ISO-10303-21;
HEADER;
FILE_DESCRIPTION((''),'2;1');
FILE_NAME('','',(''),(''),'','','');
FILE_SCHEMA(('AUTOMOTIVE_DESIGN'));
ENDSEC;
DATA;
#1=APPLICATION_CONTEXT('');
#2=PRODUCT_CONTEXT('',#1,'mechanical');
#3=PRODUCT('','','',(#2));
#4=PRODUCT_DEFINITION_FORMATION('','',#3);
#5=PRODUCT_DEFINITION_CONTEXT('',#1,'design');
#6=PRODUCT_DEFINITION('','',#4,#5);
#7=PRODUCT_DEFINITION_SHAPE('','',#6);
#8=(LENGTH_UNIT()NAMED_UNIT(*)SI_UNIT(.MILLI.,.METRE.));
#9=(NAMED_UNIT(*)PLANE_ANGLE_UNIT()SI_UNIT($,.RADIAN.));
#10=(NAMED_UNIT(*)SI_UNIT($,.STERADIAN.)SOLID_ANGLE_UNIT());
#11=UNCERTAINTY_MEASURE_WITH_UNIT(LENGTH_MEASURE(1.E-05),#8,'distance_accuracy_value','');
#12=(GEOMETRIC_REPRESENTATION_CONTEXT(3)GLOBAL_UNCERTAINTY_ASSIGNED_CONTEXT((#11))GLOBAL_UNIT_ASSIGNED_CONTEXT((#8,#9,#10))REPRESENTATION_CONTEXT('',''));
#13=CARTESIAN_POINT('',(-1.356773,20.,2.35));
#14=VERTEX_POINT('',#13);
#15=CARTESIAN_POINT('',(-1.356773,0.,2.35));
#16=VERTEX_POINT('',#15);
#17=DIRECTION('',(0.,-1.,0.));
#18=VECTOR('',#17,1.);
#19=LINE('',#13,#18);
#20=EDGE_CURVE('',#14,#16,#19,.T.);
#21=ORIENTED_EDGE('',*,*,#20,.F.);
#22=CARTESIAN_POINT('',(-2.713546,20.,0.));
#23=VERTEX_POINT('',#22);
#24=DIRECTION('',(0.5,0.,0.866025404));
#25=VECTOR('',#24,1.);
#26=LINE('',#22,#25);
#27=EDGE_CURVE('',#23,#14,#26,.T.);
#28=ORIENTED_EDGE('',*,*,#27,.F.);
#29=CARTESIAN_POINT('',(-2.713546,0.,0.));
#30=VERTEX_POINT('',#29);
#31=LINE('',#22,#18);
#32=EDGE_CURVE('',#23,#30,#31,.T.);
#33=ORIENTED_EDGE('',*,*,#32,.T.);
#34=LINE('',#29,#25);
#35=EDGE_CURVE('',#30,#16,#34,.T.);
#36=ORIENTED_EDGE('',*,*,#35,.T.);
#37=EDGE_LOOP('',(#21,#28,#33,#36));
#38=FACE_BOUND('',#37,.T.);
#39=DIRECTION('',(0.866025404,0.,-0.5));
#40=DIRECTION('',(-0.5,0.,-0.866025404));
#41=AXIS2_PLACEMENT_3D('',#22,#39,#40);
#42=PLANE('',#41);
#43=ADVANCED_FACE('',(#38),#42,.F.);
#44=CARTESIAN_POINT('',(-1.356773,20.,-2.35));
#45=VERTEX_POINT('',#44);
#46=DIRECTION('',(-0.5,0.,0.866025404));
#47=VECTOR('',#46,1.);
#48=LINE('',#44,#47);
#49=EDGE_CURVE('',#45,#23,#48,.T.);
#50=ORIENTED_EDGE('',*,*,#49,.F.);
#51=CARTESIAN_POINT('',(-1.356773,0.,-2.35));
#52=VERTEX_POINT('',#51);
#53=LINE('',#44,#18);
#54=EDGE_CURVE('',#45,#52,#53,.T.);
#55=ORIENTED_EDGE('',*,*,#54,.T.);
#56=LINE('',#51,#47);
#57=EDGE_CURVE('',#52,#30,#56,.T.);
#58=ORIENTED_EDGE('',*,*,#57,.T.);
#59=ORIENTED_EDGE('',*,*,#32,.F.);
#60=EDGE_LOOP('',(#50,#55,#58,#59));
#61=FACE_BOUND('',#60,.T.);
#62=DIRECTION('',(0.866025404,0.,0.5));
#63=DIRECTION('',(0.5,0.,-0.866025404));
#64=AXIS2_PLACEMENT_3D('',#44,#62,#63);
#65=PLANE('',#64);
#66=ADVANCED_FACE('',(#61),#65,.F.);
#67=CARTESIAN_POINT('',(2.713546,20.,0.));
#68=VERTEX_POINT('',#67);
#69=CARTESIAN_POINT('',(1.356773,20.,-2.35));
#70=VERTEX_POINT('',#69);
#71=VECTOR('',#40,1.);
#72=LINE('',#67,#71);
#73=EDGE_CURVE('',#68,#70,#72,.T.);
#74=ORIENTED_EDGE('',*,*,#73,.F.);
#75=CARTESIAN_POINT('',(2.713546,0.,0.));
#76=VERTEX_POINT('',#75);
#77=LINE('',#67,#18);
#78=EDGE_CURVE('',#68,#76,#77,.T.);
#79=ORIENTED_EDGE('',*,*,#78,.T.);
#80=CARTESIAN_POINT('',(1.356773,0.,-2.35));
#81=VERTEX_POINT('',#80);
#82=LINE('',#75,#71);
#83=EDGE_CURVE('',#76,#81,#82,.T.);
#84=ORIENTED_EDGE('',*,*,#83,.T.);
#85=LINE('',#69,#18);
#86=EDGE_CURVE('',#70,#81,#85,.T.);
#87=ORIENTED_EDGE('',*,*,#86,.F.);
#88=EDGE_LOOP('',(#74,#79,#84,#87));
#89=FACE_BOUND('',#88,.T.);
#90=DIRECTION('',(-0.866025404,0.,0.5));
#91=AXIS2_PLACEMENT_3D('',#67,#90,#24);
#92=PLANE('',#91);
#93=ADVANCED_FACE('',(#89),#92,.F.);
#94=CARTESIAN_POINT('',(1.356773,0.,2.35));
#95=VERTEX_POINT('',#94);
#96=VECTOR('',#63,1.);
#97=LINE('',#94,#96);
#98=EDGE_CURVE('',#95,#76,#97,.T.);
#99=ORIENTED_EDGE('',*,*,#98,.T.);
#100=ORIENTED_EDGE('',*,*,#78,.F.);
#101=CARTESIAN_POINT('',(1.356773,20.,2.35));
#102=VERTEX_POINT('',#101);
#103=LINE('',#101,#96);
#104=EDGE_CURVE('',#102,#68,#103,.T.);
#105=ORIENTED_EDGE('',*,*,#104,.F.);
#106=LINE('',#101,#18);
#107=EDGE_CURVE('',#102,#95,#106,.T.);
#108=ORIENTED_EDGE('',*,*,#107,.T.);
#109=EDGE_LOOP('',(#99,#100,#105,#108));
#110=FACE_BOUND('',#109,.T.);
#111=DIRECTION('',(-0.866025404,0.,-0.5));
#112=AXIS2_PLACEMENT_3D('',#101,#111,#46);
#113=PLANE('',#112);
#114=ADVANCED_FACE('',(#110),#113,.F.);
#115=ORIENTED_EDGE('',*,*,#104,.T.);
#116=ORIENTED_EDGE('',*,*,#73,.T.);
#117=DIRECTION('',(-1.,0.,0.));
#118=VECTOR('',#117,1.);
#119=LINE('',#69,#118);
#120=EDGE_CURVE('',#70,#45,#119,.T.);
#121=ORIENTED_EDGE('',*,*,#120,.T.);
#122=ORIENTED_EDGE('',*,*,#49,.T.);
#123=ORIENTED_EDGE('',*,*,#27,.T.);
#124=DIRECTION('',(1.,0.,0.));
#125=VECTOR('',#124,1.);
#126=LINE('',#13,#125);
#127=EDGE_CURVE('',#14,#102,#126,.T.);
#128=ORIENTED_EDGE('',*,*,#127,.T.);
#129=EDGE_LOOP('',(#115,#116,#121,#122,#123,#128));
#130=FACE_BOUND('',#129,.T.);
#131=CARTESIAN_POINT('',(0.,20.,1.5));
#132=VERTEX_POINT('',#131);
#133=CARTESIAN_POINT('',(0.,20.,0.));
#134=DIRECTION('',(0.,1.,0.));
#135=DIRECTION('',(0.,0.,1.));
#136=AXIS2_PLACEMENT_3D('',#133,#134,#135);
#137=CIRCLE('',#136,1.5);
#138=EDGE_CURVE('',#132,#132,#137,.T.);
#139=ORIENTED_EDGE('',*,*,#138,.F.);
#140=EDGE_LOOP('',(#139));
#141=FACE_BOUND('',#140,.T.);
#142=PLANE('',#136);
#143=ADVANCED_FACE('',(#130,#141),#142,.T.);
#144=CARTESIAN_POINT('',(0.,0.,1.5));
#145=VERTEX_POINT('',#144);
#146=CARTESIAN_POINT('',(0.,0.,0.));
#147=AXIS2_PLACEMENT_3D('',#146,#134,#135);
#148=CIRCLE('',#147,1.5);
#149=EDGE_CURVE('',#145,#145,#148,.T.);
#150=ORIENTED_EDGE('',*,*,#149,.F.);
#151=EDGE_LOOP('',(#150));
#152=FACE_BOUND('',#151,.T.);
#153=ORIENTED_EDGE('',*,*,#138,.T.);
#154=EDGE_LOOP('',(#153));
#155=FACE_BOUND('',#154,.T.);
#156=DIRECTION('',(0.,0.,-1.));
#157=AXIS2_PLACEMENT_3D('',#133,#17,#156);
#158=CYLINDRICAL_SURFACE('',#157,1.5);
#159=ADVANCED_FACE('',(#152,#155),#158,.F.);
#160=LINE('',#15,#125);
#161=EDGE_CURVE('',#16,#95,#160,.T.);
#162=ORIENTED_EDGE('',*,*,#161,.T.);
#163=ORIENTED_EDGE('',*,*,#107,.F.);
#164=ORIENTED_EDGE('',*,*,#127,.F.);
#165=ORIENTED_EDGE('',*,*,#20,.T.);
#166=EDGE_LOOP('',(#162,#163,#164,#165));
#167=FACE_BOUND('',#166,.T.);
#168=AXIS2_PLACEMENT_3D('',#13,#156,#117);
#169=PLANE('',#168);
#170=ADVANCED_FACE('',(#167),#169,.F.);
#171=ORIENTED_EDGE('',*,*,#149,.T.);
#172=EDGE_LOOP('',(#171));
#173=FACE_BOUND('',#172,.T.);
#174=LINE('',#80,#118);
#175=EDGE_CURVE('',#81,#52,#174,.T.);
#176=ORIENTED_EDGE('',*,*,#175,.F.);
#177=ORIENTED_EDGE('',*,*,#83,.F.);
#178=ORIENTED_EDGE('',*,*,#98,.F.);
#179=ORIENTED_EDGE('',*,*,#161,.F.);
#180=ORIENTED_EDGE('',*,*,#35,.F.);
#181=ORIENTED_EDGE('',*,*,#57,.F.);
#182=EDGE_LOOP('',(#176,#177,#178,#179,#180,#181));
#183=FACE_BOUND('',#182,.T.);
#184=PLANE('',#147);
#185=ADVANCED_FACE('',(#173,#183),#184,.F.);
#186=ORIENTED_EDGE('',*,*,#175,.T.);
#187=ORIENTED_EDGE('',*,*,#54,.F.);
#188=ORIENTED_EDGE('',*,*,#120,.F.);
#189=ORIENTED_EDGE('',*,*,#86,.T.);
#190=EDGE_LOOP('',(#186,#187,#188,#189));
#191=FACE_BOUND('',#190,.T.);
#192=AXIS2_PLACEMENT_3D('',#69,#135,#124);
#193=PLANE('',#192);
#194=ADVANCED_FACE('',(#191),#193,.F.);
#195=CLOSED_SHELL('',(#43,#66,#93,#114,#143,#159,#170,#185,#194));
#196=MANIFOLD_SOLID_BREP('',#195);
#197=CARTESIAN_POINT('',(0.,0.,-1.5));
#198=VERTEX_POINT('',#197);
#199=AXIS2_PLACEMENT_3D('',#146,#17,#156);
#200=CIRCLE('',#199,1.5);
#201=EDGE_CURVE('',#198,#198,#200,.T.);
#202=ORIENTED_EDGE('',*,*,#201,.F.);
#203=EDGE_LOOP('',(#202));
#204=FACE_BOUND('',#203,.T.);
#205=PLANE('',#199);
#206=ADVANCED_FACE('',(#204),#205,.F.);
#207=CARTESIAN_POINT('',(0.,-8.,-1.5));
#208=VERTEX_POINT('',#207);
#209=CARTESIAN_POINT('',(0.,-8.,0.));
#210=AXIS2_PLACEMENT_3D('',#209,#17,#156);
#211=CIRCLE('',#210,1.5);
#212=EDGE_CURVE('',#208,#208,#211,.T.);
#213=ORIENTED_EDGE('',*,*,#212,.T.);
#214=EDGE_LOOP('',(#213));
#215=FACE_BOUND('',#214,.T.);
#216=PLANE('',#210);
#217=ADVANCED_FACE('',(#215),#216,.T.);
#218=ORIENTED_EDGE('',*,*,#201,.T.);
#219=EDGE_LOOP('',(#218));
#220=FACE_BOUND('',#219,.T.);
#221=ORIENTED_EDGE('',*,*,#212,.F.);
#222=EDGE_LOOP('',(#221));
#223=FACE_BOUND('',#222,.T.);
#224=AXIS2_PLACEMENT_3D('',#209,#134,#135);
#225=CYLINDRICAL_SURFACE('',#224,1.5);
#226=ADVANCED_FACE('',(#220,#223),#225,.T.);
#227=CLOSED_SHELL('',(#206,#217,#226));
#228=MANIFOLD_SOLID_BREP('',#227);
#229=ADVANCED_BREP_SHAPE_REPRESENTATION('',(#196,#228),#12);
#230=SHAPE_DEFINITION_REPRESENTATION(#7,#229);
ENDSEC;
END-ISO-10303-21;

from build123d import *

# Parameters (mm, degrees)
SKETCH_1_R      = 1.5
EXTRUDE_1_DEPTH = 20
SKETCH_2_R      = 1.5
EXTRUDE_2_DEPTH = 8


with BuildPart() as part:
    # 草图1 → 凸台-拉伸1 (new body)
    with BuildSketch(Plane(origin=(0, 0, 0), x_dir=(1, 0, 0), z_dir=(0, 1, 0))):
        Polygon((2.713546265, 0), (1.356773133, 2.35), (-1.356773133, 2.35), (-2.713546265, 0), (-1.356773133, -2.35), (1.356773133, -2.35), align=None)
        with Locations(Location((0, 0, 0), (0, 0, 270))):
            Circle(SKETCH_1_R, mode=Mode.SUBTRACT)
    extrude(amount=EXTRUDE_1_DEPTH)


with BuildPart() as body_2:
    # 草图2 → 凸台-拉伸2 (new body)
    with BuildSketch(Plane(origin=(0, 0, 0), x_dir=(-1, 0, 0), z_dir=(0, -1, 0))):
        with Locations(Location((0, 0, 0), (0, 0, 90))):
            Circle(SKETCH_2_R)
    extrude(amount=EXTRUDE_2_DEPTH)


solid = Compound([part.part, body_2.part])
